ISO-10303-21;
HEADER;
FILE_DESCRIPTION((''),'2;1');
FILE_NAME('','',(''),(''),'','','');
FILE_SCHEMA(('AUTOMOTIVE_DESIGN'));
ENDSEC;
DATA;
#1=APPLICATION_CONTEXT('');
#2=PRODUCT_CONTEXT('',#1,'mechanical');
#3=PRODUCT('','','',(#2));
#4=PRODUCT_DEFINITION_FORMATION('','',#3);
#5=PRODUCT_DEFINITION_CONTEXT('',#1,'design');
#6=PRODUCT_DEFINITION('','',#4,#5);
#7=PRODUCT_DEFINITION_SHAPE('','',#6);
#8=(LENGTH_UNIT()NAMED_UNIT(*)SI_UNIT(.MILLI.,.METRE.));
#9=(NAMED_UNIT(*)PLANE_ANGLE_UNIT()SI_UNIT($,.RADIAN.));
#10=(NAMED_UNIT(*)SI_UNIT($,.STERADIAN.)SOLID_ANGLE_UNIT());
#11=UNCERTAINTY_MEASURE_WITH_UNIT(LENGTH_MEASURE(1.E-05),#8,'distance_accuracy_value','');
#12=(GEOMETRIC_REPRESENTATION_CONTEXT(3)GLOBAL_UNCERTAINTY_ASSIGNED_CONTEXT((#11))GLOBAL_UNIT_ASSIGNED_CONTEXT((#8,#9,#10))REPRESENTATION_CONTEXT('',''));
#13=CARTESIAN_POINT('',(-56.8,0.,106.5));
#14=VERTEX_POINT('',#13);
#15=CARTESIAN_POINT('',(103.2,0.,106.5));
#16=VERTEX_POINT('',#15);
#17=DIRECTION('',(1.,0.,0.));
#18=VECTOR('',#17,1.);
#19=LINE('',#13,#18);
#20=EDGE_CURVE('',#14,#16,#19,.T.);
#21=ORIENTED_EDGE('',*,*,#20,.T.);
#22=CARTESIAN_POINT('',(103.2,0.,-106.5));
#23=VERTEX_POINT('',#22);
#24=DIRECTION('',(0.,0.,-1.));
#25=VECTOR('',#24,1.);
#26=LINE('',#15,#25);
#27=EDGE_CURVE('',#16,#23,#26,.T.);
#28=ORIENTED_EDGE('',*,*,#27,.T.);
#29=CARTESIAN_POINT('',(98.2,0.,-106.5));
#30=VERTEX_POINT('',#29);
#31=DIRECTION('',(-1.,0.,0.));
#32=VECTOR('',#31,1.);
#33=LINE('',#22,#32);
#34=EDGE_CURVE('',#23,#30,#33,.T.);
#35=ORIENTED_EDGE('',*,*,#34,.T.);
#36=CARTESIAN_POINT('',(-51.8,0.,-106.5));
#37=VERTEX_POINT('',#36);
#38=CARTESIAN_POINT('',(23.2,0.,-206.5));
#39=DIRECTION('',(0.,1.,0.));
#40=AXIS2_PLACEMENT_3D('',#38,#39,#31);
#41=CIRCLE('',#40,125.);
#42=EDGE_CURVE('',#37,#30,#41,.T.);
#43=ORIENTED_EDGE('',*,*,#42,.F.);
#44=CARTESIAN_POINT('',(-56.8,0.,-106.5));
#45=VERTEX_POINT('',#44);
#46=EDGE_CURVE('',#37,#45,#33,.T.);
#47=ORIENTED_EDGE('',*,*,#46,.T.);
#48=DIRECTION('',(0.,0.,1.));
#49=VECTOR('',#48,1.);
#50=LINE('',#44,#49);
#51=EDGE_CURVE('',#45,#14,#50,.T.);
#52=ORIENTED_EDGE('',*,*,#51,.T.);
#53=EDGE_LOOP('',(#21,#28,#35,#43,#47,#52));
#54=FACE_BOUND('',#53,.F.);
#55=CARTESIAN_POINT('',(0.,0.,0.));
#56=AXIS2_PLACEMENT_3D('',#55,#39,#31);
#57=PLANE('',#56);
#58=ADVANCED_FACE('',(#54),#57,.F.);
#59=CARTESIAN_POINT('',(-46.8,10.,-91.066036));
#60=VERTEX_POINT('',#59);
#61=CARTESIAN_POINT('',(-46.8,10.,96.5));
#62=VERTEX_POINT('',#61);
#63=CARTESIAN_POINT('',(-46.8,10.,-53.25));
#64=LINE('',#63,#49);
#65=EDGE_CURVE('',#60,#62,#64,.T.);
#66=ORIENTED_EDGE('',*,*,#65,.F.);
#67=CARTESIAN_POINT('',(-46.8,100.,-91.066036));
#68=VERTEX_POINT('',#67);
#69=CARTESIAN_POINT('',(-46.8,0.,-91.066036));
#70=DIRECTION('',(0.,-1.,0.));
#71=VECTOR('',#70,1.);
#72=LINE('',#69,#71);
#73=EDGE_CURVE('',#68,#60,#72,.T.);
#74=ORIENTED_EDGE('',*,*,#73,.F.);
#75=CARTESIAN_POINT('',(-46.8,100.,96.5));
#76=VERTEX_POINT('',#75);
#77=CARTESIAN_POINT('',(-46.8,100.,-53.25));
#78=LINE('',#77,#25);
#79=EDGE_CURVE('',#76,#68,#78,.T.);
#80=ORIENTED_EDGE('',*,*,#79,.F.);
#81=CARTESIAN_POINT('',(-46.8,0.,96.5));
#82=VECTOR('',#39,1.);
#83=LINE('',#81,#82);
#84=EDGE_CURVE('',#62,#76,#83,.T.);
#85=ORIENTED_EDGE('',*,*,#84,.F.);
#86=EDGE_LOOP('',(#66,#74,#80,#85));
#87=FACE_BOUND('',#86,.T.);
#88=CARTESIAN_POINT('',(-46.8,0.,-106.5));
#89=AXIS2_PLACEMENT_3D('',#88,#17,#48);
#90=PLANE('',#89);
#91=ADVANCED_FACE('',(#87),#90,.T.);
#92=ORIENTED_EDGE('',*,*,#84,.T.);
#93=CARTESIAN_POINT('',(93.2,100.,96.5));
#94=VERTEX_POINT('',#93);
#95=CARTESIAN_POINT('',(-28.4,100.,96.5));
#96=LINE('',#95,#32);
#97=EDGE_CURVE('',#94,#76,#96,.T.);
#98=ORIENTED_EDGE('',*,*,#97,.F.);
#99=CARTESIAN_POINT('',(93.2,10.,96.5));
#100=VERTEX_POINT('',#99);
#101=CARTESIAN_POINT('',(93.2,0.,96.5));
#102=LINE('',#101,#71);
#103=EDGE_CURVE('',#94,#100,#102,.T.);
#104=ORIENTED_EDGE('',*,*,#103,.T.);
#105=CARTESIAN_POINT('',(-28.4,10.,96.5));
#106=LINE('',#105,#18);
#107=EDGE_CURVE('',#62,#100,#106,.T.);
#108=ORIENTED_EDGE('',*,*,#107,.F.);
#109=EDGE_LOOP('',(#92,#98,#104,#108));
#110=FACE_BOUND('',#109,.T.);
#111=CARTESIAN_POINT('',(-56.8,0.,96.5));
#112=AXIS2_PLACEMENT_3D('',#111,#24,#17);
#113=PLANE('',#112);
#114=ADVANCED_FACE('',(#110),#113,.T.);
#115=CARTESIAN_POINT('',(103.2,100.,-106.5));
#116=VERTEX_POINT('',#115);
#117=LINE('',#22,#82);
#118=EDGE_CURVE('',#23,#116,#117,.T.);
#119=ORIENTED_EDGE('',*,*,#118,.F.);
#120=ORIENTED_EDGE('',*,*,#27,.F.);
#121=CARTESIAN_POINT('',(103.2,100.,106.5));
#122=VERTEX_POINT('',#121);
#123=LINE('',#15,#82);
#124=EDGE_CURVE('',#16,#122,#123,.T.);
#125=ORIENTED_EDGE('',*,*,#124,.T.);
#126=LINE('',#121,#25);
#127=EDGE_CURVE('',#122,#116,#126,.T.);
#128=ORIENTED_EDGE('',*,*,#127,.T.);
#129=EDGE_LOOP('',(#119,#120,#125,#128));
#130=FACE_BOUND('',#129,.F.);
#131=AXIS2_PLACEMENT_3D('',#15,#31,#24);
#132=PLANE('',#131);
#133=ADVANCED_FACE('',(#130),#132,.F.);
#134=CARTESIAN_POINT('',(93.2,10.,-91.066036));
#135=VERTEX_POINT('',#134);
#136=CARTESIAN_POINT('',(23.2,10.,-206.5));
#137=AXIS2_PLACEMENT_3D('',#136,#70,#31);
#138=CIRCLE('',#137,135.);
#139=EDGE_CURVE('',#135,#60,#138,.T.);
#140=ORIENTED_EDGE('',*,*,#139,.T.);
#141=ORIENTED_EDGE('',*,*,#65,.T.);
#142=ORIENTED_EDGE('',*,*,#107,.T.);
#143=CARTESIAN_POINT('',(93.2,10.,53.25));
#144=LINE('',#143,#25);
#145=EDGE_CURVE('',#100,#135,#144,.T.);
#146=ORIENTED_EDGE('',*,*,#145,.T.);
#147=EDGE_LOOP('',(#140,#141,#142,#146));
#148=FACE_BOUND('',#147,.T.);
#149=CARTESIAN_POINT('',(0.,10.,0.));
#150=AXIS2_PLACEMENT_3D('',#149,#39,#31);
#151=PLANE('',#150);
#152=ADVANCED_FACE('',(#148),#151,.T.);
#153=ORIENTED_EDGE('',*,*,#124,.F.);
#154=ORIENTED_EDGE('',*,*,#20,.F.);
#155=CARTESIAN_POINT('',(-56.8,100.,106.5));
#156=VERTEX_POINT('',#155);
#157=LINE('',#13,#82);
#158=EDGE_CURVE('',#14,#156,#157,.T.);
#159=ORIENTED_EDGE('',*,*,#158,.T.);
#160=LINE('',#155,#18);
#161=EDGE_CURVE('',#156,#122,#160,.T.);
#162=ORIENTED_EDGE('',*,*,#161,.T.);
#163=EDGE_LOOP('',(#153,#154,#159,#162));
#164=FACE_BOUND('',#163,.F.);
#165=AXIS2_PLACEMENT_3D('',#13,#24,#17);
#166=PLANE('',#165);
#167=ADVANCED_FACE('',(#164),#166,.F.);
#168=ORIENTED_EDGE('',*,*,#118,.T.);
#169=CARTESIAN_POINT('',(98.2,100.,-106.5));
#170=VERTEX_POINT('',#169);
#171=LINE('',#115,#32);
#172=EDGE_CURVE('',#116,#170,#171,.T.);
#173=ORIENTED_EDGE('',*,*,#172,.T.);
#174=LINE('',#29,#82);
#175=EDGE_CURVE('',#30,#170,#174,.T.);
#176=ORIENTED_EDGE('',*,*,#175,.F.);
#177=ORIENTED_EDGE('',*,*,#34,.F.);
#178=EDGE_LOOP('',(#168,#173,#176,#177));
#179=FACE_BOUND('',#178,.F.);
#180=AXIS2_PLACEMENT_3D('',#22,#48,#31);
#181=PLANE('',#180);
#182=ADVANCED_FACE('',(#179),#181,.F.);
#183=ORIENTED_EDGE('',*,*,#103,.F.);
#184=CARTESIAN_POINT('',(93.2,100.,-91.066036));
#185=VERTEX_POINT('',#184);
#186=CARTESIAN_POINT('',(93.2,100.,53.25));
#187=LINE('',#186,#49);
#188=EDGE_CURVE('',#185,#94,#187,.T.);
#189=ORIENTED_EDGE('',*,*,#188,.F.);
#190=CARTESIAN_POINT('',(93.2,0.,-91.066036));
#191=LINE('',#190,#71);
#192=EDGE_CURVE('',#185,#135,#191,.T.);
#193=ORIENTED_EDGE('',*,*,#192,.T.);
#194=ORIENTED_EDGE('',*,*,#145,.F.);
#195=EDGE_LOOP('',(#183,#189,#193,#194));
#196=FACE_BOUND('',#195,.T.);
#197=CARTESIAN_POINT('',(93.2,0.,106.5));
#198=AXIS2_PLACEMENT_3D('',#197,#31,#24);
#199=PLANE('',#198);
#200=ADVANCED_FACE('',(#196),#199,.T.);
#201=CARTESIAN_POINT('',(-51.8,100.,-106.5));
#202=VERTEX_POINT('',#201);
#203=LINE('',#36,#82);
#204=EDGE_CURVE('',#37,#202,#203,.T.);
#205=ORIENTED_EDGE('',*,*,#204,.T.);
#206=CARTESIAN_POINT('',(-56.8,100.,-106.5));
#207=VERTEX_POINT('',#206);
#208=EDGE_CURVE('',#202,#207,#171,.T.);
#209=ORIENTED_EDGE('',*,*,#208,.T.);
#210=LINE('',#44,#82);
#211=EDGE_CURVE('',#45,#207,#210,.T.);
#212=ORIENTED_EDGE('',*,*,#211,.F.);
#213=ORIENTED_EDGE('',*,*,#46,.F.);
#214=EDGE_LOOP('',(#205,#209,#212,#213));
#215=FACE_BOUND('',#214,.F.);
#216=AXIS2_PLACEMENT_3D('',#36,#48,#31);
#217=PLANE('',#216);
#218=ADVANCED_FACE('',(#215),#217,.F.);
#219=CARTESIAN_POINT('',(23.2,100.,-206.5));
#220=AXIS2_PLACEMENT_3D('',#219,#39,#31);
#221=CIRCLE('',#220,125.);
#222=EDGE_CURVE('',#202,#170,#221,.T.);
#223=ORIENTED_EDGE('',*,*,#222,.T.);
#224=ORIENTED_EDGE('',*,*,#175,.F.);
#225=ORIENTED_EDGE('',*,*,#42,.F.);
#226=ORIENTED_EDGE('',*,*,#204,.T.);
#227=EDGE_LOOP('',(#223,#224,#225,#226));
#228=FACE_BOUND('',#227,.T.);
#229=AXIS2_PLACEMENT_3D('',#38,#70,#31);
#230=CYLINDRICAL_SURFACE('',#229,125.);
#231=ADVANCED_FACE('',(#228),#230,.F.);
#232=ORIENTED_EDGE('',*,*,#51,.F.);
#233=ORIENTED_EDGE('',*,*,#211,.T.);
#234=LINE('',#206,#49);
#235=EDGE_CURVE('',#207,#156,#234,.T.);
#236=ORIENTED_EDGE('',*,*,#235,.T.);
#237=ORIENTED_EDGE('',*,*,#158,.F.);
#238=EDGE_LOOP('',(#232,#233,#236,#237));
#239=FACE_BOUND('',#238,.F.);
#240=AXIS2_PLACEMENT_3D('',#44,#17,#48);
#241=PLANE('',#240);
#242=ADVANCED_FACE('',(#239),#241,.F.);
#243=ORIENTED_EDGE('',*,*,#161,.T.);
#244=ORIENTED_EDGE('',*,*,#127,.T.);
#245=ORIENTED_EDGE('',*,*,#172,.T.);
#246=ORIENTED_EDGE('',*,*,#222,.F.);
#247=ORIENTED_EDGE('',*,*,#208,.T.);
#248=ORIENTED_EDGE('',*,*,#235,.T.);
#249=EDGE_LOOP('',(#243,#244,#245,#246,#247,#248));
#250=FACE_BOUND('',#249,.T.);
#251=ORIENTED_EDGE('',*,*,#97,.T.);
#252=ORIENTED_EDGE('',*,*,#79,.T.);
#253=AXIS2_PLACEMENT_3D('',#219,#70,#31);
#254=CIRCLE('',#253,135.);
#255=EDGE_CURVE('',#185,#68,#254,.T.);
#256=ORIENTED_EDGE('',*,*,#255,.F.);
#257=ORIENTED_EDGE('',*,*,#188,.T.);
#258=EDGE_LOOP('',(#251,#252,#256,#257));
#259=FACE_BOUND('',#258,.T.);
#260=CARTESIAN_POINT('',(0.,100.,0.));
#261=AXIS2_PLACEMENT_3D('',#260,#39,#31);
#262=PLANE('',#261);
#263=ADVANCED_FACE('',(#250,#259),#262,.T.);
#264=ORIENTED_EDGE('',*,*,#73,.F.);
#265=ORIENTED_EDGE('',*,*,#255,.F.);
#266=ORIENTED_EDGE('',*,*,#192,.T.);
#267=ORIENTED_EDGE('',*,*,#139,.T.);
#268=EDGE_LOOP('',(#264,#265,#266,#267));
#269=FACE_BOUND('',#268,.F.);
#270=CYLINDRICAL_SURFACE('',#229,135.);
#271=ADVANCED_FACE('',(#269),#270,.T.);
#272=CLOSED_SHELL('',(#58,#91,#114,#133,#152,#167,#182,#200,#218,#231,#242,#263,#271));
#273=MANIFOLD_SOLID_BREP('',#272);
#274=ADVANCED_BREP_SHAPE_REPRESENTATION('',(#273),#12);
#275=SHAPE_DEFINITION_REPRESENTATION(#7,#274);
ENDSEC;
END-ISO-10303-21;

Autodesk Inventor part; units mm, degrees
ref_plane "YZ Plane" through (0, 0, 0) normal (1, 0, 0) x (0, 1, 0)
ref_plane "XZ Plane" through (0, 0, 0) normal (0, 1, 0) x (-1, 0, 0)
ref_plane "XY Plane" through (0, 0, 0) normal (0, 0, 1) x (1, 0, 0)
sketch "Sketch1" plane through (0, 0, 0) normal (0, 1, 0) x (-1, 0, 0)
  line L0 (56.8, 106.5) -> (-103.2, 106.5)
  line L1 (-103.2, 106.5) -> (-103.2, -106.5)
  line L2 (-103.2, -106.5) -> (56.8, -106.5)
  line L3 (56.8, -106.5) -> (56.8, 106.5)
  circle A0 centre (-23.2, -206.5) radius 125
  point P0 (0, 0)
  point P1 (-98.2, -106.5)
  point P2 (51.8, -106.5)
  dimension "d0" = 213
  dimension "d1" = 160
  dimension "d5" = 250
  dimension "d6" = 100
extrude "Extrusion1" add sketch "Sketch1" along normal blind 100 contours L3 L2 A0 L1 L0
shell "Shell1" thickness 10 removed faces 1 at (25.6361, 100, 43.7621)
properties part number "ProkladkaA"
